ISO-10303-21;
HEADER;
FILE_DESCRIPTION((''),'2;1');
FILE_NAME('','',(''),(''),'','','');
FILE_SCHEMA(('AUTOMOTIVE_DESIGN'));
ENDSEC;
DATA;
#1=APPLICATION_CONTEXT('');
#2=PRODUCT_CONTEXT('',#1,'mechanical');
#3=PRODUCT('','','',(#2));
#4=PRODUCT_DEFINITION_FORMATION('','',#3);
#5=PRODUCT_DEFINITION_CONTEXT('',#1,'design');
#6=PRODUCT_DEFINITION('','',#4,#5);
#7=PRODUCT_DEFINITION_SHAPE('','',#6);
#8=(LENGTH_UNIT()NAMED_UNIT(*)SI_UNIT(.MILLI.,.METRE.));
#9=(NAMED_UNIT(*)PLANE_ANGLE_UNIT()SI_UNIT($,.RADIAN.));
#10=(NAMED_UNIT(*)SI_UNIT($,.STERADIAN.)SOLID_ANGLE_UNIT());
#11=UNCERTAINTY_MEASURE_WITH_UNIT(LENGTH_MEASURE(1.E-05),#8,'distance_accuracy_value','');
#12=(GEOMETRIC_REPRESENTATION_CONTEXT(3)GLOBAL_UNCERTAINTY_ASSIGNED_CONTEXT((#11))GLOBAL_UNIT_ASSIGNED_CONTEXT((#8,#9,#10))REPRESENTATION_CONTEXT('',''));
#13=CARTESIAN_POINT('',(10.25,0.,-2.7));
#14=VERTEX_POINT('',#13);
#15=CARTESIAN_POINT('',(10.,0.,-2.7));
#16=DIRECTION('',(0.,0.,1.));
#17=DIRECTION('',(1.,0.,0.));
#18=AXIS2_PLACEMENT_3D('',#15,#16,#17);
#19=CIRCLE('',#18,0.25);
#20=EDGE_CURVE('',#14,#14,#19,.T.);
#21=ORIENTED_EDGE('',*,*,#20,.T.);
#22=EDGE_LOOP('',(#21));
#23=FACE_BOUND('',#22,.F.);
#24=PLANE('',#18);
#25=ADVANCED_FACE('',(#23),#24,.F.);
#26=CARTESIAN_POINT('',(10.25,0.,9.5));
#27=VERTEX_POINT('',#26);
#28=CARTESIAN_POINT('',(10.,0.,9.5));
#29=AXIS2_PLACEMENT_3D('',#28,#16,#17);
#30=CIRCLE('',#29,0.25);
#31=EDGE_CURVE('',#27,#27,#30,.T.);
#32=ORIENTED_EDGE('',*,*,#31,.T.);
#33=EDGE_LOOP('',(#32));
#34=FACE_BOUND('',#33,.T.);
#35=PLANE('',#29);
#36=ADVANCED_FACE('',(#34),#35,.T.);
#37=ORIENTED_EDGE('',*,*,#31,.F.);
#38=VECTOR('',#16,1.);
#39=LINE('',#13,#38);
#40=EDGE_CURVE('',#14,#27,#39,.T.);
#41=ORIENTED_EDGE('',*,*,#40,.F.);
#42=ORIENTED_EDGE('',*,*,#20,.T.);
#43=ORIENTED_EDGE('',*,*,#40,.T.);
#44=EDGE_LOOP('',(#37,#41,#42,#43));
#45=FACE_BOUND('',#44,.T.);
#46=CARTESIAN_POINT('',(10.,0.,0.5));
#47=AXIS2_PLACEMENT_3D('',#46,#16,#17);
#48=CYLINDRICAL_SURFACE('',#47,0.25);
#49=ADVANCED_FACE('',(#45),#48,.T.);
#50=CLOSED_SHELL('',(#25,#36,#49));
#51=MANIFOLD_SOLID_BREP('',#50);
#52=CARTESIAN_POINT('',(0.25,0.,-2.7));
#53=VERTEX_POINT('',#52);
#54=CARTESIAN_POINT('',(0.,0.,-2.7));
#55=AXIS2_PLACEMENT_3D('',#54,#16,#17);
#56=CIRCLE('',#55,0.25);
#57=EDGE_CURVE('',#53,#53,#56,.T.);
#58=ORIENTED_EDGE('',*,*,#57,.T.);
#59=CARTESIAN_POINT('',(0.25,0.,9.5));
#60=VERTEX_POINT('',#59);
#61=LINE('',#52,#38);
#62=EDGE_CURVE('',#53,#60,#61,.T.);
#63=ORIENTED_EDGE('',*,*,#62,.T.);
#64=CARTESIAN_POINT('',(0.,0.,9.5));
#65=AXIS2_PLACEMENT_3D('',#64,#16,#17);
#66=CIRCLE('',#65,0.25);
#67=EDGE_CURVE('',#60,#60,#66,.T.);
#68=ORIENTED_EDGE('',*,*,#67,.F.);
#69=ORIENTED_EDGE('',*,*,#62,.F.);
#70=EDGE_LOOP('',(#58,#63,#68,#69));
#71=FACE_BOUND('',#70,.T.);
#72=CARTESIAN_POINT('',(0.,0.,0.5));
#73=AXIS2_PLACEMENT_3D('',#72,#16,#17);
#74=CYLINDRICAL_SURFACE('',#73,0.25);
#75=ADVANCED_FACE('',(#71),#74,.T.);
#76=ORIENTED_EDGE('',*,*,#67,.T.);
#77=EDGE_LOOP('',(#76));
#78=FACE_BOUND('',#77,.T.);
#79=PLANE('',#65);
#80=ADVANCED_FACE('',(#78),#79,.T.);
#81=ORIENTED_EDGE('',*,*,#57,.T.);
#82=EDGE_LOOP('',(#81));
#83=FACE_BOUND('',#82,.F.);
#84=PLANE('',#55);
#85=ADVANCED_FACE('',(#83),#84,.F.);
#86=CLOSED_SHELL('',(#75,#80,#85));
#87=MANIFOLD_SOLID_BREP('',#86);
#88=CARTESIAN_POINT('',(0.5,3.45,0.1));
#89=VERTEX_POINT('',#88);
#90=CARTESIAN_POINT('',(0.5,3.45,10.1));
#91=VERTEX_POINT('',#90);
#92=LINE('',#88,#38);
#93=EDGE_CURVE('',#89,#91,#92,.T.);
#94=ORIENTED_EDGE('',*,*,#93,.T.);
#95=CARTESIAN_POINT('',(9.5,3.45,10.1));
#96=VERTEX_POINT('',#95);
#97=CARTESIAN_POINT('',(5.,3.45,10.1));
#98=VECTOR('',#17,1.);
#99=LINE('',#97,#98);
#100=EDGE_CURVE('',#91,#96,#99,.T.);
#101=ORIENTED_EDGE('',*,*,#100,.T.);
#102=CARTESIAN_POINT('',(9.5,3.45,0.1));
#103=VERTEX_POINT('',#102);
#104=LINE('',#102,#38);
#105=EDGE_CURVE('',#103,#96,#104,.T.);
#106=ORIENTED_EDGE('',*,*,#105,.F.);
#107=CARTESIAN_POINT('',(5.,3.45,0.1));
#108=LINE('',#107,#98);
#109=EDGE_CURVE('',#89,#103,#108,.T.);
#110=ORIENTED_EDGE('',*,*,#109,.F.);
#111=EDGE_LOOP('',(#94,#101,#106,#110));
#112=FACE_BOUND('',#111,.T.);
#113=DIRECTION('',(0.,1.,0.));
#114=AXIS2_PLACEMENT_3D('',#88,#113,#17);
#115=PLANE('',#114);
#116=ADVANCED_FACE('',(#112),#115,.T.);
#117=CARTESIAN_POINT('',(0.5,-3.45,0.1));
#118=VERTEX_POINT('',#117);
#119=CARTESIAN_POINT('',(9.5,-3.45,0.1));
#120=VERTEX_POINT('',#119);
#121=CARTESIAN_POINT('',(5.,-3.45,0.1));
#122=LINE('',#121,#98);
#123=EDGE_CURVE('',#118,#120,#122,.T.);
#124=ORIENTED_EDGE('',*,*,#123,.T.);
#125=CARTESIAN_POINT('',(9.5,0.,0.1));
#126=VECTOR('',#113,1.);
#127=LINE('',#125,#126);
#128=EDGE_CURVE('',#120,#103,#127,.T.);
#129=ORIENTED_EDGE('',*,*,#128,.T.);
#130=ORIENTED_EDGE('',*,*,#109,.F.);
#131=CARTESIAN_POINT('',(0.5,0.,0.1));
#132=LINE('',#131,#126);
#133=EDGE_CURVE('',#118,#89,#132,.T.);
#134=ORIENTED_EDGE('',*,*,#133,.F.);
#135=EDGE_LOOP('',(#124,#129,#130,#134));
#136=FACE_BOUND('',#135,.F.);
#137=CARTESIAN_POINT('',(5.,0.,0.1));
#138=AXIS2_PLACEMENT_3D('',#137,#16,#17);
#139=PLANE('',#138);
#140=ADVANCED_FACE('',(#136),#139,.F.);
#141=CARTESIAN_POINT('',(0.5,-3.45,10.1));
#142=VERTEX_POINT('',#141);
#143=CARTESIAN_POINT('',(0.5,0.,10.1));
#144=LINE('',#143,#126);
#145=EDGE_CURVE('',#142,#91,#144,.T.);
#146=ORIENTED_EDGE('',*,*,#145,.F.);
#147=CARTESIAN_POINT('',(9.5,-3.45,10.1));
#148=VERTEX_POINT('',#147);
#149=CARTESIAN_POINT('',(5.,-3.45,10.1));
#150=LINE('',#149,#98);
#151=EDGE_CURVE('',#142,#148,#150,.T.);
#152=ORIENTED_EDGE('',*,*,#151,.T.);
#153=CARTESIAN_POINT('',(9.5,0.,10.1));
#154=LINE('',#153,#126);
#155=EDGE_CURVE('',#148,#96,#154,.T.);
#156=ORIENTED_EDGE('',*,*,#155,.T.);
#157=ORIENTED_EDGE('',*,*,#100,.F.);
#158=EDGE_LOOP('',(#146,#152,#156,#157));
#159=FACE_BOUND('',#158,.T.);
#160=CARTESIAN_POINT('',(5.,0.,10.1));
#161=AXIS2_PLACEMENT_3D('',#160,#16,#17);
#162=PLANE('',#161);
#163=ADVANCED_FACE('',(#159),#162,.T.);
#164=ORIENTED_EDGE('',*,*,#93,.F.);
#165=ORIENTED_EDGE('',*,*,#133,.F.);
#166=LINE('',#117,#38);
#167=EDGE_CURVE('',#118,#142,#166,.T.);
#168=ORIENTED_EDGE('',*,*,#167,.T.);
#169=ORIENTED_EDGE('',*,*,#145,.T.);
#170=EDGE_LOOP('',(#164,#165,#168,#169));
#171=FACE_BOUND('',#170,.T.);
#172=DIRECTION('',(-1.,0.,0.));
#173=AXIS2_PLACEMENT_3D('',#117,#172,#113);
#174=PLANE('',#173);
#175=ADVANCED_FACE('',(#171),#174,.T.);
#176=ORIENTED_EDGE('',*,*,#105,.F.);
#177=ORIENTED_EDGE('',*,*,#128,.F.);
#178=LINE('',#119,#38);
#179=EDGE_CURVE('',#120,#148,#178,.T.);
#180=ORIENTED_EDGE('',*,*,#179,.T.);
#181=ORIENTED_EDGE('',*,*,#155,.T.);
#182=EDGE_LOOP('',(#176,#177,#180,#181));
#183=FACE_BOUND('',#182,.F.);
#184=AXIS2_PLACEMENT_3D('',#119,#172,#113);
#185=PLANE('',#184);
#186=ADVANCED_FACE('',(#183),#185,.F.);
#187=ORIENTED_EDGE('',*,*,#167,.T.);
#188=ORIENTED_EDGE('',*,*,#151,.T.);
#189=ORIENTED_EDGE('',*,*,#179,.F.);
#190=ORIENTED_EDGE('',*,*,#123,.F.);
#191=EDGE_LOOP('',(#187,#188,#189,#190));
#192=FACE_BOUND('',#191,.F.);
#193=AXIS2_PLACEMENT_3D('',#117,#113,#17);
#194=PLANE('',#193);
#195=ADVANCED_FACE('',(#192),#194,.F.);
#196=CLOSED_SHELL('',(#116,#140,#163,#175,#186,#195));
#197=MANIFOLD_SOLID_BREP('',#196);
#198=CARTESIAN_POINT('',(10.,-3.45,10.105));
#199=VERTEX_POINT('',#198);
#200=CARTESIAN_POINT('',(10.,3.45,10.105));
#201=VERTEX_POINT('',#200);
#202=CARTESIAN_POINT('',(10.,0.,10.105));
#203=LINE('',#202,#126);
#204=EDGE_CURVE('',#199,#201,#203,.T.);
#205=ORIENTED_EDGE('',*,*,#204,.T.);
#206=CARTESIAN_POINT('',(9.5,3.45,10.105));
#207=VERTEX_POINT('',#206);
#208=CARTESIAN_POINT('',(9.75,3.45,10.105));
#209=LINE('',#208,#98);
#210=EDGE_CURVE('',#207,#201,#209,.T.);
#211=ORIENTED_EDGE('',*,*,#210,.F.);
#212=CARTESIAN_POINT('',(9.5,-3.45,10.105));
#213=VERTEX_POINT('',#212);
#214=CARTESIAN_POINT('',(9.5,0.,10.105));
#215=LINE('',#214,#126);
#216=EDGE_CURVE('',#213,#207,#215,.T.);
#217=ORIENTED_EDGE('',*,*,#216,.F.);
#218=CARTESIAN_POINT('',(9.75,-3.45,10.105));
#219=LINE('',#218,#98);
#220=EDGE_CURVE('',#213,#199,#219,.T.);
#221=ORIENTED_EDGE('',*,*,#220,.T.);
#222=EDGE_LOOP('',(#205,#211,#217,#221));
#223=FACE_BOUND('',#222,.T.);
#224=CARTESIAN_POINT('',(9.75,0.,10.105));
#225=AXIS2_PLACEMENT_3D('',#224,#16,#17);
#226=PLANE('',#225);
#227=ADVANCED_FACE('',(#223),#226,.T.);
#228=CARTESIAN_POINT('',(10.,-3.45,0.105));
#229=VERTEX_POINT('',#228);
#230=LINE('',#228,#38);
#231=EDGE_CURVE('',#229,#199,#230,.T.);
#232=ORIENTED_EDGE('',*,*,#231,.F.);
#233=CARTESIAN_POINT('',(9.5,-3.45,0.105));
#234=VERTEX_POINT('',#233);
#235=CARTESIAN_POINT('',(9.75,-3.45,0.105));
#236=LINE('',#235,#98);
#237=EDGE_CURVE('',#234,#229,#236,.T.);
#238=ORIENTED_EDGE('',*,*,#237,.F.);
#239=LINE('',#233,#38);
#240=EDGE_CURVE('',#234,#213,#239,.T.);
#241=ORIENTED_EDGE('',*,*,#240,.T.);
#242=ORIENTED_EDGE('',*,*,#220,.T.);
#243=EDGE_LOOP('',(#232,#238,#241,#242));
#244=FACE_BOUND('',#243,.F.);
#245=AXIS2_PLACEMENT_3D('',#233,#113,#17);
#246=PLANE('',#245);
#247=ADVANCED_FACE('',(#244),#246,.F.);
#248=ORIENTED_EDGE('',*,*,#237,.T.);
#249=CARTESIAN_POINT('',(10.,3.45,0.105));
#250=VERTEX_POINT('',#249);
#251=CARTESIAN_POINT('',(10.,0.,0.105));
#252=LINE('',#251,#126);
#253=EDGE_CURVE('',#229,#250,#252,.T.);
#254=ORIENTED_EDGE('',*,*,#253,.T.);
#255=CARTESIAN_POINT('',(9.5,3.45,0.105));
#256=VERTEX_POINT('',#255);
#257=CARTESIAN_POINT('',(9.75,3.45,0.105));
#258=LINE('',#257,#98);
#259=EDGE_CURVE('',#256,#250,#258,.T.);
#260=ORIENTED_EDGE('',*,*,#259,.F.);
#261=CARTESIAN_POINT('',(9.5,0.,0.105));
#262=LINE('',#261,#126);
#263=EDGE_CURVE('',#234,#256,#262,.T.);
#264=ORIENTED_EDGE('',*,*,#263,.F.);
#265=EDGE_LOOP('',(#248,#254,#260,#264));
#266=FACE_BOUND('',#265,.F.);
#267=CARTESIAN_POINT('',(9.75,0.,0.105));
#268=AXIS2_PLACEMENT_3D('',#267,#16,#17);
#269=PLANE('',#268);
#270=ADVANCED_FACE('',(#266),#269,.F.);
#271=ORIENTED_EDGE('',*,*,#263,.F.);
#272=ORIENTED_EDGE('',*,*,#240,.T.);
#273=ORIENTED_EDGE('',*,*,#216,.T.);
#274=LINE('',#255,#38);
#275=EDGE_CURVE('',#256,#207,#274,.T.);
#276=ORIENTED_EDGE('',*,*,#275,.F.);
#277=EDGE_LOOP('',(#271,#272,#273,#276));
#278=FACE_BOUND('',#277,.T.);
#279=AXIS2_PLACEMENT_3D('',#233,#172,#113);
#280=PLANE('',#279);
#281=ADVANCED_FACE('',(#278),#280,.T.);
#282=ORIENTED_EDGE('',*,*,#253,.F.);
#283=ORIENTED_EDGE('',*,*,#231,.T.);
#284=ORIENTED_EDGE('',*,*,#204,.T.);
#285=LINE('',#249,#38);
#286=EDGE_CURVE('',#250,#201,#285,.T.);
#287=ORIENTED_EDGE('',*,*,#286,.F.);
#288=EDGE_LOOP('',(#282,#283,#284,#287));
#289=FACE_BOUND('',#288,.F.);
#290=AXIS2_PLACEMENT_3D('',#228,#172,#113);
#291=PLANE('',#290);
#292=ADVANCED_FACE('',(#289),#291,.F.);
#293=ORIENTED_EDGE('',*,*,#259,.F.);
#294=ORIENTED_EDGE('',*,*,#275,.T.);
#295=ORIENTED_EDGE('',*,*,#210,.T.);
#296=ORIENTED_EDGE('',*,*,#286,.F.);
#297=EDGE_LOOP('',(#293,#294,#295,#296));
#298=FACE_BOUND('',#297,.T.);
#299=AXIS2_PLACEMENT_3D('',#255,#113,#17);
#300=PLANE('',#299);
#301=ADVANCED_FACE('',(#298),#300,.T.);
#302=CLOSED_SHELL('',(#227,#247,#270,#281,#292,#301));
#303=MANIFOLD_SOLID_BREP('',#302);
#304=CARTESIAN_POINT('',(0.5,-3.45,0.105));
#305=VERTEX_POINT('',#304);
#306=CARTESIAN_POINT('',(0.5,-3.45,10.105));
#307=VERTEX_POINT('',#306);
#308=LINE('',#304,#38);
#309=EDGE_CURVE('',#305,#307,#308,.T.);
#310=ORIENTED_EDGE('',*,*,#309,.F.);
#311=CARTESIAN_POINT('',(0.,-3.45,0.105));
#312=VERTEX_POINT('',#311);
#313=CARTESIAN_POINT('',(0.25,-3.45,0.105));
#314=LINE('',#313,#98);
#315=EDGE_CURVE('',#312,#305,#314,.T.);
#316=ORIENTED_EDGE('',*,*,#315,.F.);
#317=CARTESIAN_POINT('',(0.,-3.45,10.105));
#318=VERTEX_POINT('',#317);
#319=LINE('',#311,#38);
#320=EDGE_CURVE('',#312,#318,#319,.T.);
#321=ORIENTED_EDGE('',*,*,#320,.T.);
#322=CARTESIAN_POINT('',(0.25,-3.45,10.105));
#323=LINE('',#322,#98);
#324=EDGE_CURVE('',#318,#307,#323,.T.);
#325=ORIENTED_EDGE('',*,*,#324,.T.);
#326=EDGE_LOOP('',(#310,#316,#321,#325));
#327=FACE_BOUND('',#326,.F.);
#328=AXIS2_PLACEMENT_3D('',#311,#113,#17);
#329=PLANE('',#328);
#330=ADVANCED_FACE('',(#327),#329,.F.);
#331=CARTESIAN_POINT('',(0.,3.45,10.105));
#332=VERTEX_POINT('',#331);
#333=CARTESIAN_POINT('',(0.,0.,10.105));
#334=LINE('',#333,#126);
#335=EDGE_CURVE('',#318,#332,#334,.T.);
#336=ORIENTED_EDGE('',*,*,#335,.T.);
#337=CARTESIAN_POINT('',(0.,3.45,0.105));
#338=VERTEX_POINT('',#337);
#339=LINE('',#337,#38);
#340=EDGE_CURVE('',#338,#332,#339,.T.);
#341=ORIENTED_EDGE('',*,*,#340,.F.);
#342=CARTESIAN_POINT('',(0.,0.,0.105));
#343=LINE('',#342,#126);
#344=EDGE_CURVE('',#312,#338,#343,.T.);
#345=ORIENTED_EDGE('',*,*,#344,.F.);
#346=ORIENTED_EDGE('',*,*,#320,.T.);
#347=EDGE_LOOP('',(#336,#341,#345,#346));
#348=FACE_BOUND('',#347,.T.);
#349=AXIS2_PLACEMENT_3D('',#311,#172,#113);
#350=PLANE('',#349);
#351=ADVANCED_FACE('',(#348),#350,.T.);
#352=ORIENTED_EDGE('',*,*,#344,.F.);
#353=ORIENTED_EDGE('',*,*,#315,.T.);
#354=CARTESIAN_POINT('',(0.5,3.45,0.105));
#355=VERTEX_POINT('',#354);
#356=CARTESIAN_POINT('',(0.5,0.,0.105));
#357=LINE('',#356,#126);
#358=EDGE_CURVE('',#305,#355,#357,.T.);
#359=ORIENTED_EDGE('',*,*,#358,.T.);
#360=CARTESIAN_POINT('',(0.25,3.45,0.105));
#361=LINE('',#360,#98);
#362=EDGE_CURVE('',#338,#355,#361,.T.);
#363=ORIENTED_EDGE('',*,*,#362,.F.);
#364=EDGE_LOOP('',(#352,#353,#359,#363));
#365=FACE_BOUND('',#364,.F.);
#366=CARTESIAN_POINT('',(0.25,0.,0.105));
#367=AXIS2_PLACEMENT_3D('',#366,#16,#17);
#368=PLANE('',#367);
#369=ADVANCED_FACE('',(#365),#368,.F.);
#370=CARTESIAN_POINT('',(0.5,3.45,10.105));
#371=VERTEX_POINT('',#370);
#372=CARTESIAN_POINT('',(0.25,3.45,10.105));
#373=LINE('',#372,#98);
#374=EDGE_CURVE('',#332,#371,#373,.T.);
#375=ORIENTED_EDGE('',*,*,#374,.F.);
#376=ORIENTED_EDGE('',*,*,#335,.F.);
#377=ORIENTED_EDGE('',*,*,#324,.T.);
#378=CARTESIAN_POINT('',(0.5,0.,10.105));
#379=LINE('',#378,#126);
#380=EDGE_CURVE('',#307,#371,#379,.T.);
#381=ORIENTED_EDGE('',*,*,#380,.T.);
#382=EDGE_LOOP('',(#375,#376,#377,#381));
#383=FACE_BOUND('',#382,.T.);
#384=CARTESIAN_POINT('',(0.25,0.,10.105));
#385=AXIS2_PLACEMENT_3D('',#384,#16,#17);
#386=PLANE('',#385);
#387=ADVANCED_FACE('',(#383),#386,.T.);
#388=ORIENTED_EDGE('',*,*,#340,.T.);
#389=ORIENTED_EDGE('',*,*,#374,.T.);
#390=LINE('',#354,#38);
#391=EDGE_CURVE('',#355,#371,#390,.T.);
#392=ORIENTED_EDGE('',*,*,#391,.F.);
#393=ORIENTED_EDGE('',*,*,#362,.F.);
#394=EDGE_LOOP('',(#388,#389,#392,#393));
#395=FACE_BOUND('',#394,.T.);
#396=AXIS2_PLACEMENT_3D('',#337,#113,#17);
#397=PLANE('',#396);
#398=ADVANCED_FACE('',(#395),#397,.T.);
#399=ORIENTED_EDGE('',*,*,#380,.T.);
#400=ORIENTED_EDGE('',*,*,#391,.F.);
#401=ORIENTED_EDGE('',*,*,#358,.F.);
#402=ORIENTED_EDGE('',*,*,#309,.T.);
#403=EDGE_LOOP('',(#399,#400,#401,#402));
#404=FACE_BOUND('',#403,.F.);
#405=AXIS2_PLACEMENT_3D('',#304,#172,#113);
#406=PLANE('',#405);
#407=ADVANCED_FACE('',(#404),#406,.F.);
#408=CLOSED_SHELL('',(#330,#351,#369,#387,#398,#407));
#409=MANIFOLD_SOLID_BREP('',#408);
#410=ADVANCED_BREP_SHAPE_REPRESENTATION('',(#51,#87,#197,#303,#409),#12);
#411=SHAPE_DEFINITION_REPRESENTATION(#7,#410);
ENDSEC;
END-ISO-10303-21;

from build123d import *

# Parameters (mm, degrees)
SKETCH_W          = 9
SKETCH_H          = 6.9
PAD_DEPTH         = 10
SKETCH001_R       = 0.25
PAD001_DEPTH      = 9
PAD001_DEPTH_BACK = 3.2
SKETCH002_W       = 0.5
SKETCH002_H       = 6.9
PAD002_DEPTH      = 10


with BuildPart() as pad:
    # Sketch → Pad (new body)
    with BuildSketch(Plane.XY.offset(0.1)):
        with Locations((5, 0)):
            Rectangle(SKETCH_W, SKETCH_H)
    extrude(amount=PAD_DEPTH)


with BuildPart() as pad001:
    # Sketch001 → Pad001 (new body, two sides)
    with BuildSketch(Plane.XY.offset(0.5)) as pad001_sk:
        Circle(SKETCH001_R)
        with Locations((10, 0)):
            Circle(SKETCH001_R)
    extrude(amount=PAD001_DEPTH)
    extrude(pad001_sk.sketch, amount=-PAD001_DEPTH_BACK)


with BuildPart() as pad002:
    # Sketch002 → Pad002 (new body)
    with BuildSketch(Plane.XY.offset(0.105)):
        with Locations((0.25, 0)):
            Rectangle(SKETCH002_W, SKETCH002_H)
        with Locations((9.75, 0)):
            Rectangle(SKETCH002_W, SKETCH002_H)
    extrude(amount=PAD002_DEPTH)


solid = Compound([pad.part, pad001.part, pad002.part])
